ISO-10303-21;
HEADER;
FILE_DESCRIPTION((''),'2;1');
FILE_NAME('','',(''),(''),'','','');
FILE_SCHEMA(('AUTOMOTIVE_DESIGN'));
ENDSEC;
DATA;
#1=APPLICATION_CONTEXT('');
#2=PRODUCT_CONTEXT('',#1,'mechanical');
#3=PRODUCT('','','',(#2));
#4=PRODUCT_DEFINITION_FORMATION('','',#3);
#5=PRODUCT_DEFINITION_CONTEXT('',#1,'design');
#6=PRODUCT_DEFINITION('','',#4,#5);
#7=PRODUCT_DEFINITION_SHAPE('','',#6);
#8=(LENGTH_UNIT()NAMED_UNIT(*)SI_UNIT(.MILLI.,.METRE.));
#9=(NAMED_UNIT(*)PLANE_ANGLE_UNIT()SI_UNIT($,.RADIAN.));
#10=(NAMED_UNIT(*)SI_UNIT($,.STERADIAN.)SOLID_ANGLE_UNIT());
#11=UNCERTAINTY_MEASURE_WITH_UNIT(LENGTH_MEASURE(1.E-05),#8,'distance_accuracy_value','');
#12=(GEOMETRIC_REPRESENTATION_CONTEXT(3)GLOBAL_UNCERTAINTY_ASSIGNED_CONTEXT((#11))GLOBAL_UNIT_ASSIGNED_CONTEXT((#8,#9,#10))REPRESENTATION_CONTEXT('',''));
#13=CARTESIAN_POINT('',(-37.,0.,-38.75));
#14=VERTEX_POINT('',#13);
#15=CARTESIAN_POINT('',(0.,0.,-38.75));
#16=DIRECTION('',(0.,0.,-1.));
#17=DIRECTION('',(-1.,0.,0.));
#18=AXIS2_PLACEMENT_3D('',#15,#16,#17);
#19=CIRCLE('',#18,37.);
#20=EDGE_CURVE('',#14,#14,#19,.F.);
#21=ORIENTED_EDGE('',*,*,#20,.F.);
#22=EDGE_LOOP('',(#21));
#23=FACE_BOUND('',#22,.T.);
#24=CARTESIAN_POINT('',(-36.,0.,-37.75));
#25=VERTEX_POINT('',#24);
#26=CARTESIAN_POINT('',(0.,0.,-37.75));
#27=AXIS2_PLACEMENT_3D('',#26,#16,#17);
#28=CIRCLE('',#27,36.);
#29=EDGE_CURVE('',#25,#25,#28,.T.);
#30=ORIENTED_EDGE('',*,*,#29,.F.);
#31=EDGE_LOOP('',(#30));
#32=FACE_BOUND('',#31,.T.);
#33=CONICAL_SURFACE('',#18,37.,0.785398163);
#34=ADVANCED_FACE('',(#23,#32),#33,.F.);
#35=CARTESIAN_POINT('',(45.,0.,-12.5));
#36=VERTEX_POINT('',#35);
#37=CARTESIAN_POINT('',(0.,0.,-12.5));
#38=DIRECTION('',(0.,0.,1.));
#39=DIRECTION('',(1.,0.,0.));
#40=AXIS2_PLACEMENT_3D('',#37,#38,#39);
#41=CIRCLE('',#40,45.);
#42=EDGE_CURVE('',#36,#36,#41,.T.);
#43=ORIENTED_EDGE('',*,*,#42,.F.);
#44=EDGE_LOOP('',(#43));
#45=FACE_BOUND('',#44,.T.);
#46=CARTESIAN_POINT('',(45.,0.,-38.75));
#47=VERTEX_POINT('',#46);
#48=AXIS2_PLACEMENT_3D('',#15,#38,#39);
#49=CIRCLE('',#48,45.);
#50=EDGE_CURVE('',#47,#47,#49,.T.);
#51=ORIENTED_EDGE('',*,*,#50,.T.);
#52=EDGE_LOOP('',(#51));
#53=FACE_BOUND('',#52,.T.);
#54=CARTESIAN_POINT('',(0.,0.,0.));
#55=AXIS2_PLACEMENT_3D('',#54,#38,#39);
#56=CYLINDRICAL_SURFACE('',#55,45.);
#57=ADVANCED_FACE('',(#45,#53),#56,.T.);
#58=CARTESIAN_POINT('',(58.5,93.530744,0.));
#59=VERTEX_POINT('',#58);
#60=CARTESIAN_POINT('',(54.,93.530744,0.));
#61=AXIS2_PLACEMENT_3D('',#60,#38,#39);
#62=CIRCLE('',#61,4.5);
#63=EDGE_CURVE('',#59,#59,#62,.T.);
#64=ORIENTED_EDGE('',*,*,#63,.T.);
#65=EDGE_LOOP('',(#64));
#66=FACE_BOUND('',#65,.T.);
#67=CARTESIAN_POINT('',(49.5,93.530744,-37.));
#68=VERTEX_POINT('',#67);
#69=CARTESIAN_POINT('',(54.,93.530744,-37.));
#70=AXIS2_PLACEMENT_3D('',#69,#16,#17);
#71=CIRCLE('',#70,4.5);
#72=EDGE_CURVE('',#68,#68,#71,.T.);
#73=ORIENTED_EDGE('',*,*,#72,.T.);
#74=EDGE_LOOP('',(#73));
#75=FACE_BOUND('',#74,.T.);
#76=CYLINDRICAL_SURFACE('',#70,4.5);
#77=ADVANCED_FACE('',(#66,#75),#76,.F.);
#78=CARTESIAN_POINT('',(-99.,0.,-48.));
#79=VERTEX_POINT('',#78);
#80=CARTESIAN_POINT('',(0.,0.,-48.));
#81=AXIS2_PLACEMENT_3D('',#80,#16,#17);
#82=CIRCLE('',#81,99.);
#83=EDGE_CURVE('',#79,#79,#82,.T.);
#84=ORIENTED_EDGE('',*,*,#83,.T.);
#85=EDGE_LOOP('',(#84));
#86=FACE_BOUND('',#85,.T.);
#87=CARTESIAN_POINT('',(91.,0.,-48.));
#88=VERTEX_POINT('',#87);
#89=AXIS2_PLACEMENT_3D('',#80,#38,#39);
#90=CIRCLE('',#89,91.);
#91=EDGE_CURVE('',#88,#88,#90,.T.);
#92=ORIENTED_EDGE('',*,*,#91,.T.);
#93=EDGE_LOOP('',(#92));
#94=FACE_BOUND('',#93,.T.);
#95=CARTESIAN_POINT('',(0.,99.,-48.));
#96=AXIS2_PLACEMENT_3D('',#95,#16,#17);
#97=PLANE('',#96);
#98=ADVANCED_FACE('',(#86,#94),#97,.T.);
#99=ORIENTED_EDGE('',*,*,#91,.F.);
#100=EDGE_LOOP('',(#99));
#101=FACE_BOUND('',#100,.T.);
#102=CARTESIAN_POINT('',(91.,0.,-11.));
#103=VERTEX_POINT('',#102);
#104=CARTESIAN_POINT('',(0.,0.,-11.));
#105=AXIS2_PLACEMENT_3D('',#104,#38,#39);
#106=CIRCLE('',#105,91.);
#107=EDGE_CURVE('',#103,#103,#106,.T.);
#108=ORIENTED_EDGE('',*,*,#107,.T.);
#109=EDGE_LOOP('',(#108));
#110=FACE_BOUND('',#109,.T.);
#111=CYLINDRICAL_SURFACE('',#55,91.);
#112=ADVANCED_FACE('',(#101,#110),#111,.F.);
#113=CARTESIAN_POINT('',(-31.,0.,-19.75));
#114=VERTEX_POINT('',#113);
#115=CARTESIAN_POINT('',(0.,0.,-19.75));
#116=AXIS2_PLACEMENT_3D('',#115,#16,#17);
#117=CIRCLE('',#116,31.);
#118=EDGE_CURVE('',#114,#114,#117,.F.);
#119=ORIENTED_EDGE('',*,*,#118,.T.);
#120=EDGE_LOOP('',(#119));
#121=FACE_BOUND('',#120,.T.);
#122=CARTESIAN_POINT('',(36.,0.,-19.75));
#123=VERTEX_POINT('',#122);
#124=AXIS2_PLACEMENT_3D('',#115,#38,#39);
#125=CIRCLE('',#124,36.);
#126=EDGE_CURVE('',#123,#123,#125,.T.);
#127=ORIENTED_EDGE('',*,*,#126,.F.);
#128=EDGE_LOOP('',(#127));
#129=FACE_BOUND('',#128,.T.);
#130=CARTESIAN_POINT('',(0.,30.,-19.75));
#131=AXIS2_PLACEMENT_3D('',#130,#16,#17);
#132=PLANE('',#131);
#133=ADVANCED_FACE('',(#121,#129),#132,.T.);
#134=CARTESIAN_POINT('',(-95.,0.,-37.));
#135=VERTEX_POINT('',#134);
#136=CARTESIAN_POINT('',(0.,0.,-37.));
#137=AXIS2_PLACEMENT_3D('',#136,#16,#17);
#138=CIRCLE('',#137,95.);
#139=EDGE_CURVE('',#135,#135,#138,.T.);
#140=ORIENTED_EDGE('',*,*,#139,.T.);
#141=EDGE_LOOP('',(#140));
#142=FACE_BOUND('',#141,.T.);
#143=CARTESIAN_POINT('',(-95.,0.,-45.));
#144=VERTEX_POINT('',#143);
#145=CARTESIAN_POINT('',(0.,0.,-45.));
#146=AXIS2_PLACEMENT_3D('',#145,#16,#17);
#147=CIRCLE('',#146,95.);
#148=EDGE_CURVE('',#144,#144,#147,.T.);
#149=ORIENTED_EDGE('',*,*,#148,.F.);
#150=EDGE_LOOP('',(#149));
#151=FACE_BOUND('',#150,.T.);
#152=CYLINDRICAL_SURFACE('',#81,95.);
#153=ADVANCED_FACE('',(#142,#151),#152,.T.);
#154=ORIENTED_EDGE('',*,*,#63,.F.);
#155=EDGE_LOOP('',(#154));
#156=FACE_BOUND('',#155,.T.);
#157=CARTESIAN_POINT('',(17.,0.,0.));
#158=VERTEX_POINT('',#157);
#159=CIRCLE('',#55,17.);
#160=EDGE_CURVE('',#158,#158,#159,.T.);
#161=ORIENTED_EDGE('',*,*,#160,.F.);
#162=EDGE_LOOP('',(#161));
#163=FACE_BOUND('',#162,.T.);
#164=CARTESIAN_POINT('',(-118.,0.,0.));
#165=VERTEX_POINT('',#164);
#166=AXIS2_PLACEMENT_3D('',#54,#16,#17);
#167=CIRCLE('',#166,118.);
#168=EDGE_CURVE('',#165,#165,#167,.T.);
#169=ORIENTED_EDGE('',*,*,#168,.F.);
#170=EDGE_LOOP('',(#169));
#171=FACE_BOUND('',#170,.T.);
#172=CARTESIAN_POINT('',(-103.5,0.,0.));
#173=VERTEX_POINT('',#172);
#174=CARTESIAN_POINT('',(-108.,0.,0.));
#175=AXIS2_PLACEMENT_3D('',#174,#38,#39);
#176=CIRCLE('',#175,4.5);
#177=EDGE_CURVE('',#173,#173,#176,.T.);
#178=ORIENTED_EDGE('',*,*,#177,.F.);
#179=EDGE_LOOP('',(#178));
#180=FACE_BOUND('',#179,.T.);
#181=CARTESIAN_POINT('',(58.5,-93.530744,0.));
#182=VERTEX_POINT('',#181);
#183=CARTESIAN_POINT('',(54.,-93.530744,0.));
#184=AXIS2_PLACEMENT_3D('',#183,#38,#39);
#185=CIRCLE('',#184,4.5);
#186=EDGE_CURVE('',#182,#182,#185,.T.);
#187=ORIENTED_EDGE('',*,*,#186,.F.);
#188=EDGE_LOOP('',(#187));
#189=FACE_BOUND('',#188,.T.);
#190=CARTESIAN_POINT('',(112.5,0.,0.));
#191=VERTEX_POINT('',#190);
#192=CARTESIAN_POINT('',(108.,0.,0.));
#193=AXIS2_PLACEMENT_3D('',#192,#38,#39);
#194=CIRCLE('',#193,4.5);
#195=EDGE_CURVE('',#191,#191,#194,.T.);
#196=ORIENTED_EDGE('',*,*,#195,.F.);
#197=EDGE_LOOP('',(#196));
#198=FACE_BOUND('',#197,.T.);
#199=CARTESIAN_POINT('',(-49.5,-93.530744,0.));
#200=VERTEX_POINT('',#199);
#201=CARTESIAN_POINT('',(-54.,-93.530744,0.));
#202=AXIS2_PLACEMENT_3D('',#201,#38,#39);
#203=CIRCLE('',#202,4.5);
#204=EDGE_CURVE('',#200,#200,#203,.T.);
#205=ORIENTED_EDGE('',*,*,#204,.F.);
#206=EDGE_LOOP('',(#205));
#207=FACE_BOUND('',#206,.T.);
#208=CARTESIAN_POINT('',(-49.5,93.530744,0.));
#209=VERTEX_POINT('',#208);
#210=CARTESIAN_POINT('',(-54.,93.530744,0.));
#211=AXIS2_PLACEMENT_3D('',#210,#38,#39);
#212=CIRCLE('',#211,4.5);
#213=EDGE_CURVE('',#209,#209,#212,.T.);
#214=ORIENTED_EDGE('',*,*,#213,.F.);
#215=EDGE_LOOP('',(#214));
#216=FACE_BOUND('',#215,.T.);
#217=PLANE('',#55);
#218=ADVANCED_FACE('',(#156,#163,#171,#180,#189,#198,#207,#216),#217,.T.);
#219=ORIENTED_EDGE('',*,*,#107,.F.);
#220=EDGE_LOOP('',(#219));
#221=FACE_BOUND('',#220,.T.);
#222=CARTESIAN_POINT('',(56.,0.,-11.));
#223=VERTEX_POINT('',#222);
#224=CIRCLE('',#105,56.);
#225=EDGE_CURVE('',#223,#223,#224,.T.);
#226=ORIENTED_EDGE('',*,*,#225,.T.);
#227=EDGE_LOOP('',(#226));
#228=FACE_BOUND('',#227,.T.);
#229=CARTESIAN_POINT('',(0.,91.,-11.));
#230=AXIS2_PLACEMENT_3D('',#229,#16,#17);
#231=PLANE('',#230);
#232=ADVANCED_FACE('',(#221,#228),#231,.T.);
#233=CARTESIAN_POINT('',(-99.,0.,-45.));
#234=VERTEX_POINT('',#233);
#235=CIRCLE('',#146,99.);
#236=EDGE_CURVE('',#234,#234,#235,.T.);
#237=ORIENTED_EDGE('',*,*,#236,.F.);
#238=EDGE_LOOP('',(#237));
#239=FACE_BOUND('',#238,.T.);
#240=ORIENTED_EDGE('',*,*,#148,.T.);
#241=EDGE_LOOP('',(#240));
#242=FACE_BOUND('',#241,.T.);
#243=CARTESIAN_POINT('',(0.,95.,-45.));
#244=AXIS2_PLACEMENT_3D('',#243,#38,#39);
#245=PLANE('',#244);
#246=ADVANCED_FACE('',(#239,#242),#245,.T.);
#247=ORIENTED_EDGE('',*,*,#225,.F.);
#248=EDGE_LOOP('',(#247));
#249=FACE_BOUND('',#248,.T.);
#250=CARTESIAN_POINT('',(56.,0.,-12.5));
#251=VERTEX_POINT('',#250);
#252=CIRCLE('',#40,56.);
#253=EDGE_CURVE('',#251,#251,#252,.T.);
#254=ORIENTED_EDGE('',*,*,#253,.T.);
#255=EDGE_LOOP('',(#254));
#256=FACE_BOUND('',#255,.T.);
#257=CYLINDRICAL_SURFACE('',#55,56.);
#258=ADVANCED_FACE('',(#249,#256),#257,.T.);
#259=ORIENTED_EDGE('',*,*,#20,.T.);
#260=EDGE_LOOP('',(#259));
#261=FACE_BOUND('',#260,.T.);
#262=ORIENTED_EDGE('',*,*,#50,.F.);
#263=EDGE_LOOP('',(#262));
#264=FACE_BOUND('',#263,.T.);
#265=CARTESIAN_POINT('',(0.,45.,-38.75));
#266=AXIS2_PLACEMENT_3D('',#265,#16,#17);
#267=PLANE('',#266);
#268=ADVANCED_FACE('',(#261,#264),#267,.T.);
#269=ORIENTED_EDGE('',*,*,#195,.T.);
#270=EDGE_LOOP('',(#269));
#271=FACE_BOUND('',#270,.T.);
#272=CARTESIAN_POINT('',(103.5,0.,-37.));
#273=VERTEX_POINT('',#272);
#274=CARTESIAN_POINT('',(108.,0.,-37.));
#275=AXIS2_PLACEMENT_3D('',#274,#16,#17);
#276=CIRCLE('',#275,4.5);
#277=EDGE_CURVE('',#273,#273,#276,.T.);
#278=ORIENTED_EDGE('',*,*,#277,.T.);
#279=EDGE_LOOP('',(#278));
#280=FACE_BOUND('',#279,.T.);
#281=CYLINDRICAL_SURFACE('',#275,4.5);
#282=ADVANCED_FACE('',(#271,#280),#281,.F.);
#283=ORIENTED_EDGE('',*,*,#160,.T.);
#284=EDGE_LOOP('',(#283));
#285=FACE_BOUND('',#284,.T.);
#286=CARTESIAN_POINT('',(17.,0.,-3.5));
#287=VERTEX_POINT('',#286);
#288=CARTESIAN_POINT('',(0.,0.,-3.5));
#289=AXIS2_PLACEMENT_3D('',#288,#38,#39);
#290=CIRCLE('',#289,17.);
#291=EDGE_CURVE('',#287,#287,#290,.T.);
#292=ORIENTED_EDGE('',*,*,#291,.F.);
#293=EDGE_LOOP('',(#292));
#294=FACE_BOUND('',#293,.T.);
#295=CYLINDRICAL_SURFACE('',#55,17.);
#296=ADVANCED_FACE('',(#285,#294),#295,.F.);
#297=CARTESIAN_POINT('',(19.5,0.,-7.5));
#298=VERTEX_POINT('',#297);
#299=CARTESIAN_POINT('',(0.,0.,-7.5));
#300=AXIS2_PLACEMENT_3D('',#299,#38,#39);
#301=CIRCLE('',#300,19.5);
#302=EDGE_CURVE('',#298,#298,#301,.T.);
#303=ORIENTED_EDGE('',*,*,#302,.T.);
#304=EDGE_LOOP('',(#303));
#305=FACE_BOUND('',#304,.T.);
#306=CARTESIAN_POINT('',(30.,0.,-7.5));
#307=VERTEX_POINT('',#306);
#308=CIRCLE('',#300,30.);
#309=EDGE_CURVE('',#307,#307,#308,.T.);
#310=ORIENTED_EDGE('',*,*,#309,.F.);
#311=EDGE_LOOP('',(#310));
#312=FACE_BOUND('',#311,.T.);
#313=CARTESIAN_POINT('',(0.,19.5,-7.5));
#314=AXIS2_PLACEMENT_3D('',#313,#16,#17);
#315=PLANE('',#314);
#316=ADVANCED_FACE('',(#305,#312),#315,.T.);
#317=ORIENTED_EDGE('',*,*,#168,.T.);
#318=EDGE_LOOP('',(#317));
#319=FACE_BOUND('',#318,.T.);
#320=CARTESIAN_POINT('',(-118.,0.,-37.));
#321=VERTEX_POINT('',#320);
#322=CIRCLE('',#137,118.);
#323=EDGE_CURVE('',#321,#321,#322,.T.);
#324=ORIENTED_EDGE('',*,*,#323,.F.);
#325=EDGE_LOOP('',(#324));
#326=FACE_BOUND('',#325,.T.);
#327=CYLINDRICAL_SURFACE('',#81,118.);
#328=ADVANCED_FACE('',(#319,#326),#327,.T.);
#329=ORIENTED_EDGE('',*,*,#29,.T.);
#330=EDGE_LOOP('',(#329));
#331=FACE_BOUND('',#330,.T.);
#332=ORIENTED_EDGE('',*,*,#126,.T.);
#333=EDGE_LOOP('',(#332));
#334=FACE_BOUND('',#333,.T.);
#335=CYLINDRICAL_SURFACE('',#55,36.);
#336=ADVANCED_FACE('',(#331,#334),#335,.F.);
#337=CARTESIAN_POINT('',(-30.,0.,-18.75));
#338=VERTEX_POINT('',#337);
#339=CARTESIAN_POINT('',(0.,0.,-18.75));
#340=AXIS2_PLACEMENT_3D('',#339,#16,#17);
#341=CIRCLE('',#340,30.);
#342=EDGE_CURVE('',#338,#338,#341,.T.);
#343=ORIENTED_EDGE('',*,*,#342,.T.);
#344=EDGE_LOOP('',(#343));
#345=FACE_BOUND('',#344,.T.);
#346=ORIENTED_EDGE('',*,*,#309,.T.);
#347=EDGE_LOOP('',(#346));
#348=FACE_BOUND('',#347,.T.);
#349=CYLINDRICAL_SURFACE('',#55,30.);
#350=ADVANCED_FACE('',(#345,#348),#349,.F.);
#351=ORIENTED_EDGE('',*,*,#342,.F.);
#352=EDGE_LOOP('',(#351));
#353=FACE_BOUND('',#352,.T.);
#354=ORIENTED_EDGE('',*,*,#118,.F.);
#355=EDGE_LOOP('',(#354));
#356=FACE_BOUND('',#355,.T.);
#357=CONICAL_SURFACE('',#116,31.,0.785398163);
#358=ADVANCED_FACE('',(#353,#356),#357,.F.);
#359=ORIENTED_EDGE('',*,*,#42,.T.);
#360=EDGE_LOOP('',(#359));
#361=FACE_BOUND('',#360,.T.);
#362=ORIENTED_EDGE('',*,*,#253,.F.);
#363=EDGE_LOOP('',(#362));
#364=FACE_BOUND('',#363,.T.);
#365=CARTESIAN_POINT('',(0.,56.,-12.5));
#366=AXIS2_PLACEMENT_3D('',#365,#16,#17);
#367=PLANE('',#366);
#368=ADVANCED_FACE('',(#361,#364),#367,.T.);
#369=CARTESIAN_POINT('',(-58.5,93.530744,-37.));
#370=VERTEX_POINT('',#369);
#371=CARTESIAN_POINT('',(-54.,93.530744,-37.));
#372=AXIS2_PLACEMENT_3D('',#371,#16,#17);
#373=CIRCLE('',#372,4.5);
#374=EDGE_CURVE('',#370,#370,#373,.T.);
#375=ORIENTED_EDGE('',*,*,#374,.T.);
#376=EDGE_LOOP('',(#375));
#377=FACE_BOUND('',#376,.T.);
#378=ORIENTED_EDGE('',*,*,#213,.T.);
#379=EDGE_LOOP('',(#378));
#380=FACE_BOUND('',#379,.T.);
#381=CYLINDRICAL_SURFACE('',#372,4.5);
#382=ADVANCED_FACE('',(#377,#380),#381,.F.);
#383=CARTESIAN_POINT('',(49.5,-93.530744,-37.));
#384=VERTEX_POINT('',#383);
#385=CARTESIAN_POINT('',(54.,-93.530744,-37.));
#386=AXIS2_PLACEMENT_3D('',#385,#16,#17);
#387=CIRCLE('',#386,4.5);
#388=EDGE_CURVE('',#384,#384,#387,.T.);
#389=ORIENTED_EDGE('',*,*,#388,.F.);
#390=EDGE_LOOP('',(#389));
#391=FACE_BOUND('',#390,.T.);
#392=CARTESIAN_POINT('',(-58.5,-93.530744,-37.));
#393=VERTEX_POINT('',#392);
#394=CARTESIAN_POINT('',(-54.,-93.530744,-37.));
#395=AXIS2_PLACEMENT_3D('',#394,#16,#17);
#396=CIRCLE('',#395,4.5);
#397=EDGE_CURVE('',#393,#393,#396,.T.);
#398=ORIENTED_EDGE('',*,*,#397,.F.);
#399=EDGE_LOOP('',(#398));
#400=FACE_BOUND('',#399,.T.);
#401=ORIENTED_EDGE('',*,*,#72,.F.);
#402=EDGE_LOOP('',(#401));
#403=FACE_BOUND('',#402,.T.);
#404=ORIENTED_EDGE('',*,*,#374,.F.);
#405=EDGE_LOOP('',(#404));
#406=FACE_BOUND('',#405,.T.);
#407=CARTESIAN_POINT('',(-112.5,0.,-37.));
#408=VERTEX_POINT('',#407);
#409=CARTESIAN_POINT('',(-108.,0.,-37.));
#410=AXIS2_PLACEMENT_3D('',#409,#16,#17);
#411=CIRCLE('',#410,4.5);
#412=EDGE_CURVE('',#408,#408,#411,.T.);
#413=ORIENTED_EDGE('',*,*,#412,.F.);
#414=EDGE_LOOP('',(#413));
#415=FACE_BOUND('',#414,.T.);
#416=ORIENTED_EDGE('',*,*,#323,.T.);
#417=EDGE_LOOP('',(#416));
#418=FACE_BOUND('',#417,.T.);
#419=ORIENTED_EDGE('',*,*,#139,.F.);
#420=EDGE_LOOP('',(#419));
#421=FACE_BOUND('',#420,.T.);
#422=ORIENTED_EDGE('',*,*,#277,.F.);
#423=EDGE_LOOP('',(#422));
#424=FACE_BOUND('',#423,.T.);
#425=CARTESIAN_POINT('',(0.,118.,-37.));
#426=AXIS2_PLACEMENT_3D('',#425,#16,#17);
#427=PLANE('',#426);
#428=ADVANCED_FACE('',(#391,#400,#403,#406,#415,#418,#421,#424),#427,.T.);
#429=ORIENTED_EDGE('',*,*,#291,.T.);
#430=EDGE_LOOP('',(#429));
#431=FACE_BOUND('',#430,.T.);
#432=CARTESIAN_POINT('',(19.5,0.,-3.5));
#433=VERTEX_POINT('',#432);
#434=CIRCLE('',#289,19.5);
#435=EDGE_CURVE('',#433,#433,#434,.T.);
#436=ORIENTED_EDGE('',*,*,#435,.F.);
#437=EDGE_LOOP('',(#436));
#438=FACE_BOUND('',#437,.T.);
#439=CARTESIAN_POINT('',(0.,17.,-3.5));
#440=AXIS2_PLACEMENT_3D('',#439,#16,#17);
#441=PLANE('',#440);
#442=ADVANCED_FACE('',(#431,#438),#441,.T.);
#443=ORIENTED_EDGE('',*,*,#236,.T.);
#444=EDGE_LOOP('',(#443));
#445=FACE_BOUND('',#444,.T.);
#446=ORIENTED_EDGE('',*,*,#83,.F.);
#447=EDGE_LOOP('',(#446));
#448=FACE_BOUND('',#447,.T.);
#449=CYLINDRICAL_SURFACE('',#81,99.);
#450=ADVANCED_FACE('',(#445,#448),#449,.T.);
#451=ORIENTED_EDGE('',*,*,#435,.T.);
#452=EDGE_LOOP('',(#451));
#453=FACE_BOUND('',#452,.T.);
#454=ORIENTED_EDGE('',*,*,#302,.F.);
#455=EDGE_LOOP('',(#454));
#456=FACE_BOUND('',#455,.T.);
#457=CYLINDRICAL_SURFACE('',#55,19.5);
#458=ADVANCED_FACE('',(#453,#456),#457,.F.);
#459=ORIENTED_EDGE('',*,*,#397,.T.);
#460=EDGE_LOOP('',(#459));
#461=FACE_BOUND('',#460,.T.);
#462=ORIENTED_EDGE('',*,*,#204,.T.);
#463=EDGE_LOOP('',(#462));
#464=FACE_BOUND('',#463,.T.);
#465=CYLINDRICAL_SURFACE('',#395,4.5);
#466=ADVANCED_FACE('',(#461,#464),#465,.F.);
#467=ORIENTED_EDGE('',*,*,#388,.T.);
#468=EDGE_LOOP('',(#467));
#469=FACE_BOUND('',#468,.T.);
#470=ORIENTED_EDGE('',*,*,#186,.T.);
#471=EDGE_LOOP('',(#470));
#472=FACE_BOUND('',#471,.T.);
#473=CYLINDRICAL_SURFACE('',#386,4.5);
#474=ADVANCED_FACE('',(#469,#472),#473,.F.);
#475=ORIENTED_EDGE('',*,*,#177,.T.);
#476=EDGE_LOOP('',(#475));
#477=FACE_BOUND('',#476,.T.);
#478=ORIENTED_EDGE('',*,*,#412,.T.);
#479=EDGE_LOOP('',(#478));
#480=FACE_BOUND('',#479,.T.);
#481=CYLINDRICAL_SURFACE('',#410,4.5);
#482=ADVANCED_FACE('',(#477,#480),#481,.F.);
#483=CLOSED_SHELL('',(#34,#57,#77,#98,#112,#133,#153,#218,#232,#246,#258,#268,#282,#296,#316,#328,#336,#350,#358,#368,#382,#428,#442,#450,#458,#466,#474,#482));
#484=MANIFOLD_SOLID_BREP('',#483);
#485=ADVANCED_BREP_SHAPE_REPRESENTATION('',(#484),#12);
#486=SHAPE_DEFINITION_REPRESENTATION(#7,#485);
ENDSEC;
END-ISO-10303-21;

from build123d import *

# Parameters (mm, degrees)
HOLE_WIZARD_1_D = 9
CHAMFER_1_SIZE  = 1


with BuildPart() as part:
    # 草图1 → 旋转1 (revolve)
    with BuildSketch(Plane(origin=(0, 0, 0), x_dir=(0, 0, -1), z_dir=(1, 0, 0)), mode=Mode.PRIVATE) as revolve_1_sk:
        Polygon((0, 0), (0, 118), (37, 118), (37, 95), (45, 95), (45, 99), (48, 99), (48, 0), align=None)
    revolve(revolve_1_sk.sketch.rotate(Axis((0, 0, -48), (0, 0, 1)), 90), axis=Axis((0, 0, -48), (0, 0, 1)))

    # 草图2 → 切除-旋转1 (revolve, cut)
    with BuildSketch(Plane(origin=(0, 0, 0), x_dir=(0, 0, -1), z_dir=(1, 0, 0)), mode=Mode.PRIVATE) as cut_revolve_1_sk:
        Polygon((48, 0), (48, 91), (11, 91), (11, 56), (12.5, 56), (12.5, 45), (38.75, 45), (38.75, 0), align=None)
    revolve(cut_revolve_1_sk.sketch.rotate(Axis((0, 0, 0), (0, 0, -1)), 90), axis=Axis((0, 0, 0), (0, 0, -1)), mode=Mode.SUBTRACT)

    # 草图3 → 切除-旋转2 (revolve, cut)
    with BuildSketch(Plane(origin=(0, 0, 0), x_dir=(0, 0, -1), z_dir=(1, 0, 0)), mode=Mode.PRIVATE) as cut_revolve_2_sk:
        Polygon((0, 0), (0, 17), (3.5, 17), (3.5, 19.5), (7.5, 19.5), (7.5, 30), (19.75, 30), (19.75, 36), (38.75, 36), (38.75, 0), align=None)
    revolve(cut_revolve_2_sk.sketch.rotate(Axis((0, 0, 0), (0, 0, -1)), 90), axis=Axis((0, 0, 0), (0, 0, -1)), mode=Mode.SUBTRACT)

    # 孔1 (through all)
    with Locations(Plane(origin=(0, 0, -37), x_dir=(-1, 0, 0), z_dir=(0, 0, -1))):
        with Locations((54, 93.530743609), (108, 0), (54, -93.530743609), (-54, -93.530743609), (-108, 0), (-54, 93.530743609)):
            Hole(HOLE_WIZARD_1_D / 2)

    # 倒角1
    chamfer_1_edges = [part.edges().sort_by_distance(p)[0] for p in [
        (-30, 0, -19.75),
        (-36, 0, -38.75),
    ]]
    chamfer(chamfer_1_edges, length=CHAMFER_1_SIZE)


solid = part.part
